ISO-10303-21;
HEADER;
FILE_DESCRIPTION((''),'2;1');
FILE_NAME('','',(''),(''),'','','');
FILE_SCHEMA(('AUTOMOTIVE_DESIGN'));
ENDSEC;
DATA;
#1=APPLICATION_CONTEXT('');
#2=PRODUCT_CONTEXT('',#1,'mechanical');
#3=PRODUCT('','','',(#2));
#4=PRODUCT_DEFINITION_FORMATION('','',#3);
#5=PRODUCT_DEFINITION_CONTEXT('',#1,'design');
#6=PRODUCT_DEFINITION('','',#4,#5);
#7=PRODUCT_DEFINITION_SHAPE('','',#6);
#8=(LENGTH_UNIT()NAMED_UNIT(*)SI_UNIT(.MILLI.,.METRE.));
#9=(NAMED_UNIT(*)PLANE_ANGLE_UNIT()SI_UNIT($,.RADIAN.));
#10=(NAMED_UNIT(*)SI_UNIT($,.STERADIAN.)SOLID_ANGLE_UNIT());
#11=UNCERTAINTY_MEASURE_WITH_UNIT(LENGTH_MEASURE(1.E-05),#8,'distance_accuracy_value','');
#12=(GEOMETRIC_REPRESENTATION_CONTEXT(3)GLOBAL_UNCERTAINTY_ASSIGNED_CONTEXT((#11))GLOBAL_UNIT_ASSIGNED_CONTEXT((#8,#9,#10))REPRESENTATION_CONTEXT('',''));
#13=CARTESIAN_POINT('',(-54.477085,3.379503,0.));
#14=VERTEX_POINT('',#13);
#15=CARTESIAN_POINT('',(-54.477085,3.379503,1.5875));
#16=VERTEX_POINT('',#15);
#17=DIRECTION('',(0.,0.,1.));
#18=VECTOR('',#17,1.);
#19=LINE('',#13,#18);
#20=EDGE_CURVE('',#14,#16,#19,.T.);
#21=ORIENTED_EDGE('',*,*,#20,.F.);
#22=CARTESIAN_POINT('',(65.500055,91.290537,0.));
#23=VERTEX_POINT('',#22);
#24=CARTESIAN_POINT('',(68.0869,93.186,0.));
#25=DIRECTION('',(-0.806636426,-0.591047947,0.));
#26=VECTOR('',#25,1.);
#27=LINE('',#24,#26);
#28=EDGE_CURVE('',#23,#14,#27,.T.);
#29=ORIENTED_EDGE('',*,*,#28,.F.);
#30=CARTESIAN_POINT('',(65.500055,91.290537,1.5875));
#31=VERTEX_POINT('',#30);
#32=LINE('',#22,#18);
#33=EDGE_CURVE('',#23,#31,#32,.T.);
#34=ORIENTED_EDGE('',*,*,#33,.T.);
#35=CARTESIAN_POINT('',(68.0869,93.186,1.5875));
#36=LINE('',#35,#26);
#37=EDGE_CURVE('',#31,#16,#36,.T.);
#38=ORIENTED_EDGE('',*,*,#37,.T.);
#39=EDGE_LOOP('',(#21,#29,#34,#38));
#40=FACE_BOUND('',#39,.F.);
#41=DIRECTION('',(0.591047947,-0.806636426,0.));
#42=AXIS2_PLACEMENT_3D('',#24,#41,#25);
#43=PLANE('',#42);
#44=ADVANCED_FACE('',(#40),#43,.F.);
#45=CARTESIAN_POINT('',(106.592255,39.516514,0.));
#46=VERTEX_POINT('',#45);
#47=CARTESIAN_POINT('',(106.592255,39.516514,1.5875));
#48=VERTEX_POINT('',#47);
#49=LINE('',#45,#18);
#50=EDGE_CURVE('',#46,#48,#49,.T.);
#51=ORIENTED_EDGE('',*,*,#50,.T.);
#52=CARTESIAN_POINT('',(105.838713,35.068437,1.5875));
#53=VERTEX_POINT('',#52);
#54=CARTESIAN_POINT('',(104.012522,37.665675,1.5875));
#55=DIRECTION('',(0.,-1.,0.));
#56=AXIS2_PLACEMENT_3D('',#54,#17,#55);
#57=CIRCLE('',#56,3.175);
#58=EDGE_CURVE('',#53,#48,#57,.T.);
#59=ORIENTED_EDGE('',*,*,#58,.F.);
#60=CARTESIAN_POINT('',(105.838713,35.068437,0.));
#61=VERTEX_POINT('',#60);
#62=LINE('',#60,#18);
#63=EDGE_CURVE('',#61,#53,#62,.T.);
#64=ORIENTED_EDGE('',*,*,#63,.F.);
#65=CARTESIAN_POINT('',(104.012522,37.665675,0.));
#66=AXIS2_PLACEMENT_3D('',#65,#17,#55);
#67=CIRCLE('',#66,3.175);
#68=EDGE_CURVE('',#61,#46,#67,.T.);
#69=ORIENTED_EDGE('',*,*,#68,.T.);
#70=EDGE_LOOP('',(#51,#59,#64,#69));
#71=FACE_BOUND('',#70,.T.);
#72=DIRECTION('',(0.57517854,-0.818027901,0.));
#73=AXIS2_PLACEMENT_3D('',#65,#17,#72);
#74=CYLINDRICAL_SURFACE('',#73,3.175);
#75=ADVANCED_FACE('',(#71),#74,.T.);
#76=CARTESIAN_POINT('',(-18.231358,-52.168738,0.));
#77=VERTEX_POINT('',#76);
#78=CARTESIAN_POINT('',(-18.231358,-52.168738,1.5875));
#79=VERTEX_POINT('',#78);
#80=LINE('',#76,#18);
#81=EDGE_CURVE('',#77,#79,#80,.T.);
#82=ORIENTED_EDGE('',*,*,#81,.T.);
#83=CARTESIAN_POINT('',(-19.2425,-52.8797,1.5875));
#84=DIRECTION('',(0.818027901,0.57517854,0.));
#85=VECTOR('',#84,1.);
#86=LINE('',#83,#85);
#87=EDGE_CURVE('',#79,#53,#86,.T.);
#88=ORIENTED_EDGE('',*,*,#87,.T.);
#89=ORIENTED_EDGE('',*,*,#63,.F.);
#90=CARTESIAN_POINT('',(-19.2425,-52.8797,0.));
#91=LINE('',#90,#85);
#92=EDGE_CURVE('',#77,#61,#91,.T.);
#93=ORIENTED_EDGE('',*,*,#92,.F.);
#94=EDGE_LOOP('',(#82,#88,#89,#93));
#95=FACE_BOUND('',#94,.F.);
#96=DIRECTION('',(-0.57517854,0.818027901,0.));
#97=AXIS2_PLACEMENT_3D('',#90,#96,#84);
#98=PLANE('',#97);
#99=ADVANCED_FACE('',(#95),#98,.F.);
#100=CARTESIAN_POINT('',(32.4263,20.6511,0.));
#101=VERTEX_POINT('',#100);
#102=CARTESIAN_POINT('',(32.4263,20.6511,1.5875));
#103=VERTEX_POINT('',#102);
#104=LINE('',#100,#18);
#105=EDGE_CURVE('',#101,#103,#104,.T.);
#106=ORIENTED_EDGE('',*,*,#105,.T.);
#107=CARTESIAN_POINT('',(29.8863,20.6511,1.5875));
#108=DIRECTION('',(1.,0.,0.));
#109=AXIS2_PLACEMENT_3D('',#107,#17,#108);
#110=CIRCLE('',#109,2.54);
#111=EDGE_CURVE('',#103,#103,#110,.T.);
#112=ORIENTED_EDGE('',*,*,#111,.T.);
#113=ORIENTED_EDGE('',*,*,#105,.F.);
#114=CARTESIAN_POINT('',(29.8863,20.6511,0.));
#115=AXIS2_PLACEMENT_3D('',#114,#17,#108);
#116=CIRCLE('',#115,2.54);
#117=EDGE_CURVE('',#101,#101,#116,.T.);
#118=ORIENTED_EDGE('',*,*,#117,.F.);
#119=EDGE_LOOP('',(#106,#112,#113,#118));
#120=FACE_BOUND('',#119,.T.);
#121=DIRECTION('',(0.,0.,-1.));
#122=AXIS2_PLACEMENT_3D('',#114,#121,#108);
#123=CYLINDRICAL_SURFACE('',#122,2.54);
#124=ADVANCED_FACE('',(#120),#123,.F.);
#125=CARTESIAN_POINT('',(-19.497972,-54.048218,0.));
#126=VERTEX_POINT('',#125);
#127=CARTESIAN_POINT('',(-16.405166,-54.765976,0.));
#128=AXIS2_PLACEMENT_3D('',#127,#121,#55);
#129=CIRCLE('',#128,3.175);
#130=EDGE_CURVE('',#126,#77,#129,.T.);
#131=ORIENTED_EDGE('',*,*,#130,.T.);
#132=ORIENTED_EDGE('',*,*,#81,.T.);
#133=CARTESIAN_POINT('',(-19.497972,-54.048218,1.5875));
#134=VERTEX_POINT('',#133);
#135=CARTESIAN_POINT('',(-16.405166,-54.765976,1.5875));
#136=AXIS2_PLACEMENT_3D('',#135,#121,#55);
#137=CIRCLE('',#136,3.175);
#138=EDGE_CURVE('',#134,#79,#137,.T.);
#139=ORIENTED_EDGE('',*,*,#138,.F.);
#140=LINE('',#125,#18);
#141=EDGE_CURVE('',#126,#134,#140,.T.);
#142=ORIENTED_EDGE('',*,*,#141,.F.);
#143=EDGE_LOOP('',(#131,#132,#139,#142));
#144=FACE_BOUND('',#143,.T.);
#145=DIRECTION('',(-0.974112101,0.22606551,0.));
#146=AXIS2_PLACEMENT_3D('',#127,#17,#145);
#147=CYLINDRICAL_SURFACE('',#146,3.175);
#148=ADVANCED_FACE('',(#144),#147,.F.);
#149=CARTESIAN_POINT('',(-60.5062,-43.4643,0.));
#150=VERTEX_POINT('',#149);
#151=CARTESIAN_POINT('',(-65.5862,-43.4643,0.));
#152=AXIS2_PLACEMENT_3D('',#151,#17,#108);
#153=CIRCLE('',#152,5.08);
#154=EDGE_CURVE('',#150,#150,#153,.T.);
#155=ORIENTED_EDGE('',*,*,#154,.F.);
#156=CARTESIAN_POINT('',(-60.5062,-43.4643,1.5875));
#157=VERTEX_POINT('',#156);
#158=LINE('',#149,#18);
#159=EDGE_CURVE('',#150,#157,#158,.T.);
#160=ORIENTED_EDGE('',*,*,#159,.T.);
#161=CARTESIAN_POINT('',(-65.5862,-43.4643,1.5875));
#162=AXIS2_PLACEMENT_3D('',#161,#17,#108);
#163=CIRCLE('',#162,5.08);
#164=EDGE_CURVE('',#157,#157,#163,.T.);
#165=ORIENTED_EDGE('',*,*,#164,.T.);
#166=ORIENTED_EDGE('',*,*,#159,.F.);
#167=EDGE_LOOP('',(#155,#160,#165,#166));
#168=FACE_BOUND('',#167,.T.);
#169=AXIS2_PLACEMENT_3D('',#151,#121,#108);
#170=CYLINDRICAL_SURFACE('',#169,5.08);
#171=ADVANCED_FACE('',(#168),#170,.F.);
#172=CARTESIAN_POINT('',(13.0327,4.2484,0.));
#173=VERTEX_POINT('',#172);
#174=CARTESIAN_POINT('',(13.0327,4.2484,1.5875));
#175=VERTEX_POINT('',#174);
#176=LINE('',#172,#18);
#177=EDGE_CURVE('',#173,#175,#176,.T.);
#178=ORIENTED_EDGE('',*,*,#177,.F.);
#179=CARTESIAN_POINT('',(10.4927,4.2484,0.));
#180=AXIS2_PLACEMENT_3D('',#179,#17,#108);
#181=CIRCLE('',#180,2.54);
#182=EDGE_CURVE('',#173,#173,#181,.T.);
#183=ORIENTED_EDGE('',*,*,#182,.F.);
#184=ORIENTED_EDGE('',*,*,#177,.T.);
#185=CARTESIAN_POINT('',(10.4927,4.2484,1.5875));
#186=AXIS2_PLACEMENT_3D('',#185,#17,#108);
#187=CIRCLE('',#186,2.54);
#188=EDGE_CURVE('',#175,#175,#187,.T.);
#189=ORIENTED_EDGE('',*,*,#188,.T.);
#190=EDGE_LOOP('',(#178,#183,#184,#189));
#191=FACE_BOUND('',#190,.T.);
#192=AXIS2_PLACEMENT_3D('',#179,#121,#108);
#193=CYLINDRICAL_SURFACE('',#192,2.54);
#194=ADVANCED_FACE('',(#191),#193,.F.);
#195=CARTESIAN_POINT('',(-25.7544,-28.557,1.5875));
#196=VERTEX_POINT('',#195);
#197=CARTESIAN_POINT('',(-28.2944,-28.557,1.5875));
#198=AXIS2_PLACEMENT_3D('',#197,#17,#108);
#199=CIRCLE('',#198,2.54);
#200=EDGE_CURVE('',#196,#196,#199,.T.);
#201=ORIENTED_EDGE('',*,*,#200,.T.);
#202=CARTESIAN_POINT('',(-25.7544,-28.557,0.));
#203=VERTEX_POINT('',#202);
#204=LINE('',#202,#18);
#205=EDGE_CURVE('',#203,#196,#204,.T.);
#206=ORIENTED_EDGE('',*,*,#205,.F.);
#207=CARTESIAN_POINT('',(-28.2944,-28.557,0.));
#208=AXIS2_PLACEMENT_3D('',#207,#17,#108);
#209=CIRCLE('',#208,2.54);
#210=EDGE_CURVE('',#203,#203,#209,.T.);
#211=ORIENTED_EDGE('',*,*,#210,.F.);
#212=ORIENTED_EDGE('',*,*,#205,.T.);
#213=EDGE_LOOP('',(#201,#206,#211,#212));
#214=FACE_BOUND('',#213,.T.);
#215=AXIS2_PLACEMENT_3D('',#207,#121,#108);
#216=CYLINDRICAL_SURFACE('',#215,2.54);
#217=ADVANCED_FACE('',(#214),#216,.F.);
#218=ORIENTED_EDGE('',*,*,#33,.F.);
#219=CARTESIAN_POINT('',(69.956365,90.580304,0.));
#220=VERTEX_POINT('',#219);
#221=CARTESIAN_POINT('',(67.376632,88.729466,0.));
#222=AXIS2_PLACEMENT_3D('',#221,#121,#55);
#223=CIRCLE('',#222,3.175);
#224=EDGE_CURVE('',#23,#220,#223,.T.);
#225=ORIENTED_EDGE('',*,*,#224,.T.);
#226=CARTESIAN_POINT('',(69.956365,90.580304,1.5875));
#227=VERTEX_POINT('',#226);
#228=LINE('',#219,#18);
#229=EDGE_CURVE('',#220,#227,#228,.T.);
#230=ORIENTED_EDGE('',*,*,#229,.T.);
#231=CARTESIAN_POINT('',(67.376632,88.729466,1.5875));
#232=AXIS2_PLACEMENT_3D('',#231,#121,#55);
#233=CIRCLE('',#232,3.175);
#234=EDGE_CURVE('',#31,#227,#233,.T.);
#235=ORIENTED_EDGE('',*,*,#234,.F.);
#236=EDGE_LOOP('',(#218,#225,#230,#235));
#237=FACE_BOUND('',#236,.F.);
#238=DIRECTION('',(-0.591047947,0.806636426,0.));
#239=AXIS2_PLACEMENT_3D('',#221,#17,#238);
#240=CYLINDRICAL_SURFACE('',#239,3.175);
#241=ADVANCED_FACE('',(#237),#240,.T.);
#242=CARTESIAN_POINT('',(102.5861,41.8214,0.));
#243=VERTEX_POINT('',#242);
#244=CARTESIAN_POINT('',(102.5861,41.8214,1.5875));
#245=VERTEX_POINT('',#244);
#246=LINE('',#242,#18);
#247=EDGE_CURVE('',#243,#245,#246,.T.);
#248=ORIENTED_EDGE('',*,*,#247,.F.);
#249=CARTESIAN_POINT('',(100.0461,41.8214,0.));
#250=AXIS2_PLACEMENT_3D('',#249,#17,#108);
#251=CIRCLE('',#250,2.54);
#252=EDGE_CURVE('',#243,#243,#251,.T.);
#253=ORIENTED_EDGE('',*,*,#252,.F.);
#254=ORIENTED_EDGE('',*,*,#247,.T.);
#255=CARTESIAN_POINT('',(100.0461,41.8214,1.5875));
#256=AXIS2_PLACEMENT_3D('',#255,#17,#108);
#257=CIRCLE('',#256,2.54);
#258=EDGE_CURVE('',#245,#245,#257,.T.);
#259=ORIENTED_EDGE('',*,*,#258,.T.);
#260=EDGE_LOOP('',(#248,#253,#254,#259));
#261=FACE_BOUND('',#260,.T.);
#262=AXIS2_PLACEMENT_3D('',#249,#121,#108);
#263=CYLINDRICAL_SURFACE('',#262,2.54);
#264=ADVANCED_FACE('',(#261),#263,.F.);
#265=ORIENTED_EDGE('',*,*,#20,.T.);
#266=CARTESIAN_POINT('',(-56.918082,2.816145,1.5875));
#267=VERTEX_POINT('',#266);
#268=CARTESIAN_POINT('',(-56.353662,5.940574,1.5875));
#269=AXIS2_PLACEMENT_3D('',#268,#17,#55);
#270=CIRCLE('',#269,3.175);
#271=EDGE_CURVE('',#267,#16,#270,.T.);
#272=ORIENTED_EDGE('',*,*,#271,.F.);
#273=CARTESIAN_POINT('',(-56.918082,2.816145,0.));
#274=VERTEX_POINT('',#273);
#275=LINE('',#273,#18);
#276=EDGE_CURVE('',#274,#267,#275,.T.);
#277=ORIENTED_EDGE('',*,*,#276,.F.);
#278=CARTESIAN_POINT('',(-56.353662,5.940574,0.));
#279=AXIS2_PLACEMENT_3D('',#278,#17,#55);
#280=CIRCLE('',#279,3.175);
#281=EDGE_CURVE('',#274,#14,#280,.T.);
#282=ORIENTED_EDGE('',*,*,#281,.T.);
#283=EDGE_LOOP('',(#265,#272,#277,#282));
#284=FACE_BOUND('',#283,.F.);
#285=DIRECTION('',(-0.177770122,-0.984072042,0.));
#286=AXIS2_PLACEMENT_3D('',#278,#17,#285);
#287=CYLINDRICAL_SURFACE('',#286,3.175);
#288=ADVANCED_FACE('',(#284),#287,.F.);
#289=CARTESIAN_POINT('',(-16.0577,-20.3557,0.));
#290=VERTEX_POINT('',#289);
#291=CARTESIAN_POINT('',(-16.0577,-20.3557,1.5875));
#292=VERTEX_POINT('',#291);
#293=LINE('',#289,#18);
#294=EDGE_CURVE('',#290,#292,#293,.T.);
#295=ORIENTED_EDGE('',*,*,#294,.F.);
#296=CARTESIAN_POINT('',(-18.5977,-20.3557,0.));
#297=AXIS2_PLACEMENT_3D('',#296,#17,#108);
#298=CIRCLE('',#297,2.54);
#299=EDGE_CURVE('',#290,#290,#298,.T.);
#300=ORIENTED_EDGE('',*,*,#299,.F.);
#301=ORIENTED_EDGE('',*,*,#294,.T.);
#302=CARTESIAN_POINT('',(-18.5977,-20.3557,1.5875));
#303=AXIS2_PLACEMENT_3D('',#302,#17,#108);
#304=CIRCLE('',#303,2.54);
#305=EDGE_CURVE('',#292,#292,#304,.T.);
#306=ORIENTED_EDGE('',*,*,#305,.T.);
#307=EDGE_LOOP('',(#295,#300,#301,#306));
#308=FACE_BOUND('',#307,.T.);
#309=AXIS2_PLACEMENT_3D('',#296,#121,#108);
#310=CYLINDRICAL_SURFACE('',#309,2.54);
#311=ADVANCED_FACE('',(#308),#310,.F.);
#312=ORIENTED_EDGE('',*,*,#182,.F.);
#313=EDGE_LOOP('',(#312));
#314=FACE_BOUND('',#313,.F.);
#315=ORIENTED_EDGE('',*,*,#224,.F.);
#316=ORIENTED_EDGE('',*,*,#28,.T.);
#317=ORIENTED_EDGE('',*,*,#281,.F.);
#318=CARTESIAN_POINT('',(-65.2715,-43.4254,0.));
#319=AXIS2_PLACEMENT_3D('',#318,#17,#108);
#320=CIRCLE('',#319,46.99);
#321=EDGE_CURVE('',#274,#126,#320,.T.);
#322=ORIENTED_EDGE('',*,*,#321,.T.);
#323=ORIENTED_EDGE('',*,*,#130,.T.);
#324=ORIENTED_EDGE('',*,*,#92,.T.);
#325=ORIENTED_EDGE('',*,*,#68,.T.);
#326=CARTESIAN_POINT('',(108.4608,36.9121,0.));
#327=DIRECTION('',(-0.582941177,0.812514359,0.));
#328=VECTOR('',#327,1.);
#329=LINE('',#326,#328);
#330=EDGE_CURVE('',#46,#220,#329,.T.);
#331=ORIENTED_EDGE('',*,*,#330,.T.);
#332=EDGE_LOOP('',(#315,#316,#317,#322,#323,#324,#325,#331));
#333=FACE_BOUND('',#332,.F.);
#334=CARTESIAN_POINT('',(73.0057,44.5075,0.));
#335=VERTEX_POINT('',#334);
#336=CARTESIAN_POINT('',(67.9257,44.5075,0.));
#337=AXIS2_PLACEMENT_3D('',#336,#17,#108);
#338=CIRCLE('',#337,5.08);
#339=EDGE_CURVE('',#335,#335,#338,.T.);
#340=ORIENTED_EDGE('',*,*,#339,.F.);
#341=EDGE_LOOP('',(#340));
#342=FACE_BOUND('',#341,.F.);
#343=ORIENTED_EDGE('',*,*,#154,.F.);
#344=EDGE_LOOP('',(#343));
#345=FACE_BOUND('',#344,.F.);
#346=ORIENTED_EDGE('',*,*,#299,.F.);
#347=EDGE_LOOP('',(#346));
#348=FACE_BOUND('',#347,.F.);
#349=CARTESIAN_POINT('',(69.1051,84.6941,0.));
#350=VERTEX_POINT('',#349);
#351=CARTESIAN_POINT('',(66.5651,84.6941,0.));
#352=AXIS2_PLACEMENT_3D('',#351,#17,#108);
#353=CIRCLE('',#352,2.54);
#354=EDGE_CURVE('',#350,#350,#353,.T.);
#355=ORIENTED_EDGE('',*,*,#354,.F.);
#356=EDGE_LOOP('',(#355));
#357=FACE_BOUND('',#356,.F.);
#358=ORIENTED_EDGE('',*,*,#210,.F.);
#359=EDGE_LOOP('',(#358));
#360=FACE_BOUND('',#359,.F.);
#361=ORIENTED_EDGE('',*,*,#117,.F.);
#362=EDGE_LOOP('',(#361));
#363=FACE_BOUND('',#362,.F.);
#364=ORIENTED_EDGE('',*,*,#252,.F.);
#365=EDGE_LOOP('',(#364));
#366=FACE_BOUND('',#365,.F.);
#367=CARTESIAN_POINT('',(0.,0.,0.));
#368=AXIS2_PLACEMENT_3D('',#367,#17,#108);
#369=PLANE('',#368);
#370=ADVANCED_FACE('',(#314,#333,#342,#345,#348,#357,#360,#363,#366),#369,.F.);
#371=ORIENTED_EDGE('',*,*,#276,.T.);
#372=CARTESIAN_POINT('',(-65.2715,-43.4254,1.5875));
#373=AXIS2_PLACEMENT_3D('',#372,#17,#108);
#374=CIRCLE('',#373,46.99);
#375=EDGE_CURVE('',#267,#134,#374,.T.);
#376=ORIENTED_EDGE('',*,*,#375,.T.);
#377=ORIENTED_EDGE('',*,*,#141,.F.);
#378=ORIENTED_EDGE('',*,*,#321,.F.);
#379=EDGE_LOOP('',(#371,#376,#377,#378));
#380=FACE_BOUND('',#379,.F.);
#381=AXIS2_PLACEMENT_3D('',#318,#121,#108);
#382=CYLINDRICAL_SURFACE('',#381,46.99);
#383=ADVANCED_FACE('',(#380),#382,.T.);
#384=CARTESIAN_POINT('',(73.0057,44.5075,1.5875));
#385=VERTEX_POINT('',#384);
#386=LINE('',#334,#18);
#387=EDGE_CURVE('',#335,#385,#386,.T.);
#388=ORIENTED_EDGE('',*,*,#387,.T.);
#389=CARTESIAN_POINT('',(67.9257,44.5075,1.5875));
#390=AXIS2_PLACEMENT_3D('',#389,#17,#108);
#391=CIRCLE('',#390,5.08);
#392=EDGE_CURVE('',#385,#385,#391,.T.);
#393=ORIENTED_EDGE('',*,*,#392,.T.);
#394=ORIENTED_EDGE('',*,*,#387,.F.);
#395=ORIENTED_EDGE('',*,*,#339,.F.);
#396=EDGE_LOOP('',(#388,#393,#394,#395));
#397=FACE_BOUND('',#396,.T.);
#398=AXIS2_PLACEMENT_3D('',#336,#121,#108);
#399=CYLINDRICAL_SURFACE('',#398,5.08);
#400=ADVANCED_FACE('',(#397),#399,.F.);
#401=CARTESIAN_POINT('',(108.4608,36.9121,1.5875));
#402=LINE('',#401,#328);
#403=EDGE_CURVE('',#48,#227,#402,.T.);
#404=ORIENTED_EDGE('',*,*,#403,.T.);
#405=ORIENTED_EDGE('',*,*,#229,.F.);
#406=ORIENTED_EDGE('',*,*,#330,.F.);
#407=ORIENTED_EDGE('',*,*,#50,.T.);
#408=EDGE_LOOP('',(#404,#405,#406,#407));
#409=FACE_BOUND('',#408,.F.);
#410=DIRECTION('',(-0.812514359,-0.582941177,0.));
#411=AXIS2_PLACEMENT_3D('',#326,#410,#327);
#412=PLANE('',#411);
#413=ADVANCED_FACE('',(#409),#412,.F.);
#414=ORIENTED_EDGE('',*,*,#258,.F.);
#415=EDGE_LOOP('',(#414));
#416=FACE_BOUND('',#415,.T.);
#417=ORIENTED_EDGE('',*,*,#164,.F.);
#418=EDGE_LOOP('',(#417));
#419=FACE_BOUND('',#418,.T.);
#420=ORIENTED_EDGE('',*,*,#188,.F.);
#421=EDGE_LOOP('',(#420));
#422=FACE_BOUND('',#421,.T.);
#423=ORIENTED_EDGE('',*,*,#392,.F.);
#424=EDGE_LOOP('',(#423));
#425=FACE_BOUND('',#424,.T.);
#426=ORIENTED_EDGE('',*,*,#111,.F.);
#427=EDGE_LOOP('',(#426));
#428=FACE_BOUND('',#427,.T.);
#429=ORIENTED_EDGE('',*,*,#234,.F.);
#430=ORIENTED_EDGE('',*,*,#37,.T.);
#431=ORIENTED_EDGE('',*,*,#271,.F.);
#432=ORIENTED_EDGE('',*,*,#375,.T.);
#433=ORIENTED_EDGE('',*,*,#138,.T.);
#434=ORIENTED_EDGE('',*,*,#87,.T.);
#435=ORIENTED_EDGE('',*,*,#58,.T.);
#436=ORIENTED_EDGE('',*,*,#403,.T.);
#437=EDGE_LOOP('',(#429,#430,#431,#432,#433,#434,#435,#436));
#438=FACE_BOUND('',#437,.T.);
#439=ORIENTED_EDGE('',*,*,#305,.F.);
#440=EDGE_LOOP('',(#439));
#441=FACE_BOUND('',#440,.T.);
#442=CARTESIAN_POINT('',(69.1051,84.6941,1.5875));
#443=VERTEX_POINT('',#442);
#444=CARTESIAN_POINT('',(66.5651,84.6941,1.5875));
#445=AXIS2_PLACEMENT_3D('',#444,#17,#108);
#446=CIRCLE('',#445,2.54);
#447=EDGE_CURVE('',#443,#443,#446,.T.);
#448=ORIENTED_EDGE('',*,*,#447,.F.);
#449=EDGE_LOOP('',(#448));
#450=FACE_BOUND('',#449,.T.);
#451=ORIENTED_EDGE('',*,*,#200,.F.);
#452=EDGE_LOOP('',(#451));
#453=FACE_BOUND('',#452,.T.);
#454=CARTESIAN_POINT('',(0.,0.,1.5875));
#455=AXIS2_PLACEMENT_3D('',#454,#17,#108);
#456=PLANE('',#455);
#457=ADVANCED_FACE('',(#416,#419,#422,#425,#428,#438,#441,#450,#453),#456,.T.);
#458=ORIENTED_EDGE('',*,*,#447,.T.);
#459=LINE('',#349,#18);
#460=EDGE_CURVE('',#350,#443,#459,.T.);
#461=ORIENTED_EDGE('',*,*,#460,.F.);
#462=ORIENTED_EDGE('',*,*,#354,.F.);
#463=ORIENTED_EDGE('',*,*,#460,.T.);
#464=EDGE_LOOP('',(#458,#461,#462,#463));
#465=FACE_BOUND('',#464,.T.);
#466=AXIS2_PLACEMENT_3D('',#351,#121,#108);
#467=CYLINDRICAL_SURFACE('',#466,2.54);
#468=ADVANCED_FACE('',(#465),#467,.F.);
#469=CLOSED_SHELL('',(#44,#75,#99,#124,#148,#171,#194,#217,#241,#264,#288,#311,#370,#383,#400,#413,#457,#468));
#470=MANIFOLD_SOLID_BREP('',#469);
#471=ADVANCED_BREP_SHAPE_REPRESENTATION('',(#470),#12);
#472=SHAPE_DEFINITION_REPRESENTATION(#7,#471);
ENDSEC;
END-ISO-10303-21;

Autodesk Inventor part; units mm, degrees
ref_plane "YZ Plane" through (0, 0, 0) normal (1, 0, 0) x (0, 1, 0)
ref_plane "XZ Plane" through (0, 0, 0) normal (0, 1, 0) x (-1, 0, 0)
ref_plane "XY Plane" through (0, 0, 0) normal (0, 0, 1) x (1, 0, 0)
sketch "Sketch2" plane through (0, 0, 0) normal (0, 0, 1) x (1, 0, 0)
  circle A0 centre (-65.2715, -43.4254) radius 46.99
  line L0 (-19.2425, -52.8797) -> (108.4608, 36.9121)
  line L1 (108.4608, 36.9121) -> (68.0869, 93.186)
  line L2 (68.0869, 93.186) -> (-55.5981, 2.5581)
  circle A1 centre (100.0461, 41.8214) radius 2.54
  circle A2 centre (66.5651, 84.6941) radius 2.54
  circle A3 centre (-65.5862, -43.4643) radius 5.08
  circle A4 centre (67.9257, 44.5075) radius 5.08
  circle A5 centre (29.8863, 20.6511) radius 2.54
  circle A6 centre (10.4927, 4.2484) radius 2.54
  circle A7 centre (-18.5977, -20.3557) radius 2.54
  circle A8 centre (-28.2944, -28.557) radius 2.54
  point P0 (0, 0)
  dimension "d45" = 93.98
  dimension "d46" = 127.7033
  dimension "d47" = 153.3343
  dimension "d48" = 5.08
  dimension "d49" = 5.08
  dimension "d50" = 10.16
  dimension "d51" = 10.16
  dimension "d52" = 5.08
  dimension "d53" = 5.08
  dimension "d54" = 5.08
  dimension "d55" = 5.08
extrude "Extrusion2" add sketch "Sketch2" along normal blind 1.5875
fillet "Fillet2" radius 3.175 4 edges at (-55.5981, 2.5581, 0.7937) (68.0869, 93.186, 0.7937) (108.4608, 36.9121, 0.7937) (-19.2425, -52.8797, 0.7937)
properties part number "Intake poly"
